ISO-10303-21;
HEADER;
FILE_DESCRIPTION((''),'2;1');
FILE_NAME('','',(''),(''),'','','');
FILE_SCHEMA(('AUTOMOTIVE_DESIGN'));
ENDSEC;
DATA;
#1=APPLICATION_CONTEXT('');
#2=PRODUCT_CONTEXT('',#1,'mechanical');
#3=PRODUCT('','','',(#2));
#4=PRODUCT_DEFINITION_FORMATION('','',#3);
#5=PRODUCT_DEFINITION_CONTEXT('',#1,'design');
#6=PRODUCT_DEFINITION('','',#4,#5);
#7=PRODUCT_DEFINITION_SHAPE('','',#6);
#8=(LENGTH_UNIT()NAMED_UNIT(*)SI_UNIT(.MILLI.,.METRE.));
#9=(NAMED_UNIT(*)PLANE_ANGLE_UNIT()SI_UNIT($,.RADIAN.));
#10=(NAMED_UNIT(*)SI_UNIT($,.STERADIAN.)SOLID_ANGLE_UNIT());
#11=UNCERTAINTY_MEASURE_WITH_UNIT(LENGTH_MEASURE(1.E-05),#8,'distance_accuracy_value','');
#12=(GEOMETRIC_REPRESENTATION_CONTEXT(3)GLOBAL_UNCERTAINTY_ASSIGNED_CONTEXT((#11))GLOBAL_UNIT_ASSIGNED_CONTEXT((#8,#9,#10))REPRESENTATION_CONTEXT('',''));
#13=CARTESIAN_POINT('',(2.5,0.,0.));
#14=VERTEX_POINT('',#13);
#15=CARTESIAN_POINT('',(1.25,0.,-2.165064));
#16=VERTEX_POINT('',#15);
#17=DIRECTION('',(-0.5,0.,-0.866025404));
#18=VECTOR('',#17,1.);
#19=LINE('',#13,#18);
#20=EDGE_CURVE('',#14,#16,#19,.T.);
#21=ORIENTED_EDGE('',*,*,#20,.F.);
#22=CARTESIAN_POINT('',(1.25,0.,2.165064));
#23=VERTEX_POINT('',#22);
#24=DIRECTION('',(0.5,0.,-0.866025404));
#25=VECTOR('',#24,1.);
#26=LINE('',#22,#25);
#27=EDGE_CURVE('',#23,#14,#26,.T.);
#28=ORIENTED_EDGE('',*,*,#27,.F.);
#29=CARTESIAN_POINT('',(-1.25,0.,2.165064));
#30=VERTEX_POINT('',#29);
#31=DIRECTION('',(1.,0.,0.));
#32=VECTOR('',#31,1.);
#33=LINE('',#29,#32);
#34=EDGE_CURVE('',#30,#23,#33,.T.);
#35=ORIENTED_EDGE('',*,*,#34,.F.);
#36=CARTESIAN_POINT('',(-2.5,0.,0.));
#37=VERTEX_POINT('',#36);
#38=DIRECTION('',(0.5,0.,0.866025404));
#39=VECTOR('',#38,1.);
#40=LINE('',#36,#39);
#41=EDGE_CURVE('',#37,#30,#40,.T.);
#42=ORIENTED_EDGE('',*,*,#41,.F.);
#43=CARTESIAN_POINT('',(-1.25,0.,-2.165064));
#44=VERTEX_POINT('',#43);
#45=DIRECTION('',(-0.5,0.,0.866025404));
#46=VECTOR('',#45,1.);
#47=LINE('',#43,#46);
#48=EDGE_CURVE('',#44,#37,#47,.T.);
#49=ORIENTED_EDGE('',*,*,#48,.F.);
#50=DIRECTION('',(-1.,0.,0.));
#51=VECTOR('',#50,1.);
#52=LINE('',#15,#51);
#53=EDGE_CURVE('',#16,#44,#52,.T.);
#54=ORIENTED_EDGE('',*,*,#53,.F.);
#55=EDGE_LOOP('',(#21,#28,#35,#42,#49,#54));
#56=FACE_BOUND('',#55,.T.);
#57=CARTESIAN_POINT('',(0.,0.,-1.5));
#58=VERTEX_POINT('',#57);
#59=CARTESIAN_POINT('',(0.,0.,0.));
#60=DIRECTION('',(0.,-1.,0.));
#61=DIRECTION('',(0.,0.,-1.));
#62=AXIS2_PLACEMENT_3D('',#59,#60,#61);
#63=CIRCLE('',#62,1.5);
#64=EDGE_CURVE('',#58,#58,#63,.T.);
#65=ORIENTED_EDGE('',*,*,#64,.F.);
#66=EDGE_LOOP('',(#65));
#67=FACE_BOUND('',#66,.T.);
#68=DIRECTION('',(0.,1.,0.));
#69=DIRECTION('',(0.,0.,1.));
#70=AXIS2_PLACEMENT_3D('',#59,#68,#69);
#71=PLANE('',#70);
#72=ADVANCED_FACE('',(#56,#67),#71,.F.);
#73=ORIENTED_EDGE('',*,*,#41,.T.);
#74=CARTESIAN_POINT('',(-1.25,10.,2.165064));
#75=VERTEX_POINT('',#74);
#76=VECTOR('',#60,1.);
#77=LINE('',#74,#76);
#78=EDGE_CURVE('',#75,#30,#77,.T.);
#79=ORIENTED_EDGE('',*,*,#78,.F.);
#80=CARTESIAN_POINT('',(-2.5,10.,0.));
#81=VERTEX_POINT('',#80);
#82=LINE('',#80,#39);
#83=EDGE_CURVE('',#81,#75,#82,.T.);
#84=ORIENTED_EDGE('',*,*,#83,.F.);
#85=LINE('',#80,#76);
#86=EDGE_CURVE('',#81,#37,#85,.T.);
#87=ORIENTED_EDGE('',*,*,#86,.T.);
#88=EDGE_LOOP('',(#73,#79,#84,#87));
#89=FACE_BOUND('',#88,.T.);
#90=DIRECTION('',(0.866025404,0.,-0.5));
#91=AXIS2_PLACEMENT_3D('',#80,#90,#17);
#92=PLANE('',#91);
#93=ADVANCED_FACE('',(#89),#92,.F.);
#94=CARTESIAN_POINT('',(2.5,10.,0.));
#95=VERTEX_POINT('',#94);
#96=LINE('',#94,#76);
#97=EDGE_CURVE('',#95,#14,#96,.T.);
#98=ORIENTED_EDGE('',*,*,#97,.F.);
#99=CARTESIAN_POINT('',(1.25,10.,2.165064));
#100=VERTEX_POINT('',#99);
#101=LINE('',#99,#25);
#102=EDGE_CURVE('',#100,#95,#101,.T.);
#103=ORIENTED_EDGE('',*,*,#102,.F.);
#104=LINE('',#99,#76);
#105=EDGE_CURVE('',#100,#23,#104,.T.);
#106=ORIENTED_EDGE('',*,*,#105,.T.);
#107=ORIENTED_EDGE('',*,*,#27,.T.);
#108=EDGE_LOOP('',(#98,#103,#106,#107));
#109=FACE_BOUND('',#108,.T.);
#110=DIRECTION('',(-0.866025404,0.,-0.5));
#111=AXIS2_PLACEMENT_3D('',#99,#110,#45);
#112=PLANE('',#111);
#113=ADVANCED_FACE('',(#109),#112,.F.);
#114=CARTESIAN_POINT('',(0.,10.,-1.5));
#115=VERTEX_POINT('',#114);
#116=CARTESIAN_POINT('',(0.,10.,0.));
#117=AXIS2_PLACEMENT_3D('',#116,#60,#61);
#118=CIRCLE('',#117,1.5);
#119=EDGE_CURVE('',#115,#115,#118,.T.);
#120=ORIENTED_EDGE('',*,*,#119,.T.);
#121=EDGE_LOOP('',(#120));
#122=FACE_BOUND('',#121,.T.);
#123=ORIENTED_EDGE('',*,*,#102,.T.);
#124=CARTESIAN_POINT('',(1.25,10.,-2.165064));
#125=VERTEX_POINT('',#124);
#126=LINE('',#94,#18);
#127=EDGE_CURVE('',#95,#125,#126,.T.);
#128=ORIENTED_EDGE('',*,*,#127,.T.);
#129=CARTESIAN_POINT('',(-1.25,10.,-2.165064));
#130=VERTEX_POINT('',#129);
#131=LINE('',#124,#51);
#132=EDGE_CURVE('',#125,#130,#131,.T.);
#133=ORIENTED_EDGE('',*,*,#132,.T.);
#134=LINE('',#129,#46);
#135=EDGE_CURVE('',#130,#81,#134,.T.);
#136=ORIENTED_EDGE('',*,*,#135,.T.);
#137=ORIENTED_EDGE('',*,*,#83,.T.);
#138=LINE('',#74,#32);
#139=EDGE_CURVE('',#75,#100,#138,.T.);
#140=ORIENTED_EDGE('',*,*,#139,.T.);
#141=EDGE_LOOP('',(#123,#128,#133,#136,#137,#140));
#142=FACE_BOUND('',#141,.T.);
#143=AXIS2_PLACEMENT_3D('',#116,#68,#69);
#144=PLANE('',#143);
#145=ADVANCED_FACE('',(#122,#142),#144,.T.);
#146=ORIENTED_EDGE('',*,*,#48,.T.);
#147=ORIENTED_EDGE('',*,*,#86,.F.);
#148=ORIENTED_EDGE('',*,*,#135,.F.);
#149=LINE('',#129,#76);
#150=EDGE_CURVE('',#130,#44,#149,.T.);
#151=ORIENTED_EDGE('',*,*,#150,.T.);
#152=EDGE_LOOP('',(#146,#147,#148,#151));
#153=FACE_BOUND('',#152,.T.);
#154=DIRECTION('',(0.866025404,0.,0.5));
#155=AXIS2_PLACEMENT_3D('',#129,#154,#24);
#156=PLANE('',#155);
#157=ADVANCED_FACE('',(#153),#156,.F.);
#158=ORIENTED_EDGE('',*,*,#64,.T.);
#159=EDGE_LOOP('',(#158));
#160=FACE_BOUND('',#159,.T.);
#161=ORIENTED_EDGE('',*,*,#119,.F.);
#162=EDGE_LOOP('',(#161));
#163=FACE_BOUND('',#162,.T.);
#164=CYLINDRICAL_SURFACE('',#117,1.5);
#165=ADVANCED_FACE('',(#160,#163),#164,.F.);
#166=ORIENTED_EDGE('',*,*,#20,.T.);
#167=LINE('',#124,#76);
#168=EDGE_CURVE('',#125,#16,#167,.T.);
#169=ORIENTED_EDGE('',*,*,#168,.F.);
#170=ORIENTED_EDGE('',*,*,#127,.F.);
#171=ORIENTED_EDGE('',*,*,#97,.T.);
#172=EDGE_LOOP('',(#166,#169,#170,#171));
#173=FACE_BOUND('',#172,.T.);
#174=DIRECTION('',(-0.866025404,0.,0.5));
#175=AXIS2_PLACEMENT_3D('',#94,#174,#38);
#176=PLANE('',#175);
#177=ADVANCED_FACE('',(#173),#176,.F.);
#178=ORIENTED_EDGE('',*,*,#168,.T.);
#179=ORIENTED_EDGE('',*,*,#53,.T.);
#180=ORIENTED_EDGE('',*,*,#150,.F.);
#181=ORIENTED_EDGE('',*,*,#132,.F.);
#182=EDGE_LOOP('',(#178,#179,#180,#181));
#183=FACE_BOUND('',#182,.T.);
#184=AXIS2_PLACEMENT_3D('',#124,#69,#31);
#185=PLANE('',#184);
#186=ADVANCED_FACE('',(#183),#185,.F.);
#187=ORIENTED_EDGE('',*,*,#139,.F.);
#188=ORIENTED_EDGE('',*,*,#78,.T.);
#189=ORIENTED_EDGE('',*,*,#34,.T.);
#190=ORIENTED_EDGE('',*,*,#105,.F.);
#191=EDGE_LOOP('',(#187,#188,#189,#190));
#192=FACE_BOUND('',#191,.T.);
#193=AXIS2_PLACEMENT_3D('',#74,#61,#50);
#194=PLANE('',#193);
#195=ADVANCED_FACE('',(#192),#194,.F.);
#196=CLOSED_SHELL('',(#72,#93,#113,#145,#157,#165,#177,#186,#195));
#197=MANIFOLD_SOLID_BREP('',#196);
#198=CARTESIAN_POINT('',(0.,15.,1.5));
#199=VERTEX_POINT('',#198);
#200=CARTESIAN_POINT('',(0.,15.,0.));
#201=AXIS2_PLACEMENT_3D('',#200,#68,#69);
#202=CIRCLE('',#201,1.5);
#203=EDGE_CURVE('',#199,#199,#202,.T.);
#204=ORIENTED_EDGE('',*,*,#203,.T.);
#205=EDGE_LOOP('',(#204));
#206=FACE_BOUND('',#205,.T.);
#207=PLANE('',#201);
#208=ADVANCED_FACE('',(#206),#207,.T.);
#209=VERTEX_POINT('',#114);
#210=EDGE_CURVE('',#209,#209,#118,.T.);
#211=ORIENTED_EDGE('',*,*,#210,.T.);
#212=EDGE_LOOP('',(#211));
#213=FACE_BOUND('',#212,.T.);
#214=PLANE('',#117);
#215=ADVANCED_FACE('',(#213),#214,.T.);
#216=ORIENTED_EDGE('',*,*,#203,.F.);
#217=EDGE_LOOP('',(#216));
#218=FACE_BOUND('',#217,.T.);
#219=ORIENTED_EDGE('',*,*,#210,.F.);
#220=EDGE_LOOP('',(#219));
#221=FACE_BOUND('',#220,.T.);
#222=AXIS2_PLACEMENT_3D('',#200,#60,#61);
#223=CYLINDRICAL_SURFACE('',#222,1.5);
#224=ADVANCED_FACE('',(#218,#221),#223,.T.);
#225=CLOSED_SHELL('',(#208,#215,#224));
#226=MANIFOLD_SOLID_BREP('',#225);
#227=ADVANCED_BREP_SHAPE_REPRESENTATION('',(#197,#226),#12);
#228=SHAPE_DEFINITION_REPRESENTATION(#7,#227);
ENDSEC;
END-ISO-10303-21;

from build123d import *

# Parameters (mm, degrees)
EXTRUDE_1_DEPTH     = 10
SKETCH_2_R          = 1.5
EXTRUDE_2_DEPTH     = 5
SKETCH_3_R          = 1.5
CUT_EXTRUDE_1_DEPTH = 10


with BuildPart() as part:
    # Эскиз1 → Бобышка-Вытянуть1 (new body)
    with BuildSketch(Plane(origin=(0, 0, 0), x_dir=(1, 0, 0), z_dir=(0, 1, 0))):
        Polygon((1.25, -2.165063509), (2.5, 0), (1.25, 2.165063509), (-1.25, 2.165063509), (-2.5, 0), (-1.25, -2.165063509), align=None)
    extrude(amount=EXTRUDE_1_DEPTH)

    # Эскиз2 → Бобышка-Вытянуть2 (add)
    with BuildSketch(Plane(origin=(0, 10, 0), x_dir=(1, 0, 0), z_dir=(0, 1, 0))):
        with Locations(Location((0, 0, 0), (0, 0, 270))):
            Circle(SKETCH_2_R)
    extrude(amount=EXTRUDE_2_DEPTH)

    # Эскиз3 → Вырез-Вытянуть1 (cut)
    with BuildSketch(Plane.XZ):
        with Locations(Location((0, 0, 0), (0, 0, 270))):
            Circle(SKETCH_3_R)
    extrude(amount=-CUT_EXTRUDE_1_DEPTH, mode=Mode.SUBTRACT)


with BuildPart() as cut_extrude_1_piece_1:
    # of the separate pieces the step leaves, piece 1, a body of its own (cut_extrude_1_pieces)
    add(part.part.solids().sort_by_distance((1.25, 0, 2.165063509))[0])


with BuildPart() as cut_extrude_1_piece_2:
    # of the separate pieces the step leaves, piece 2, a body of its own (cut_extrude_1_pieces)
    add(part.part.solids().sort_by_distance((0, 15, 1.5))[0])


solid = Compound([cut_extrude_1_piece_1.part, cut_extrude_1_piece_2.part])
